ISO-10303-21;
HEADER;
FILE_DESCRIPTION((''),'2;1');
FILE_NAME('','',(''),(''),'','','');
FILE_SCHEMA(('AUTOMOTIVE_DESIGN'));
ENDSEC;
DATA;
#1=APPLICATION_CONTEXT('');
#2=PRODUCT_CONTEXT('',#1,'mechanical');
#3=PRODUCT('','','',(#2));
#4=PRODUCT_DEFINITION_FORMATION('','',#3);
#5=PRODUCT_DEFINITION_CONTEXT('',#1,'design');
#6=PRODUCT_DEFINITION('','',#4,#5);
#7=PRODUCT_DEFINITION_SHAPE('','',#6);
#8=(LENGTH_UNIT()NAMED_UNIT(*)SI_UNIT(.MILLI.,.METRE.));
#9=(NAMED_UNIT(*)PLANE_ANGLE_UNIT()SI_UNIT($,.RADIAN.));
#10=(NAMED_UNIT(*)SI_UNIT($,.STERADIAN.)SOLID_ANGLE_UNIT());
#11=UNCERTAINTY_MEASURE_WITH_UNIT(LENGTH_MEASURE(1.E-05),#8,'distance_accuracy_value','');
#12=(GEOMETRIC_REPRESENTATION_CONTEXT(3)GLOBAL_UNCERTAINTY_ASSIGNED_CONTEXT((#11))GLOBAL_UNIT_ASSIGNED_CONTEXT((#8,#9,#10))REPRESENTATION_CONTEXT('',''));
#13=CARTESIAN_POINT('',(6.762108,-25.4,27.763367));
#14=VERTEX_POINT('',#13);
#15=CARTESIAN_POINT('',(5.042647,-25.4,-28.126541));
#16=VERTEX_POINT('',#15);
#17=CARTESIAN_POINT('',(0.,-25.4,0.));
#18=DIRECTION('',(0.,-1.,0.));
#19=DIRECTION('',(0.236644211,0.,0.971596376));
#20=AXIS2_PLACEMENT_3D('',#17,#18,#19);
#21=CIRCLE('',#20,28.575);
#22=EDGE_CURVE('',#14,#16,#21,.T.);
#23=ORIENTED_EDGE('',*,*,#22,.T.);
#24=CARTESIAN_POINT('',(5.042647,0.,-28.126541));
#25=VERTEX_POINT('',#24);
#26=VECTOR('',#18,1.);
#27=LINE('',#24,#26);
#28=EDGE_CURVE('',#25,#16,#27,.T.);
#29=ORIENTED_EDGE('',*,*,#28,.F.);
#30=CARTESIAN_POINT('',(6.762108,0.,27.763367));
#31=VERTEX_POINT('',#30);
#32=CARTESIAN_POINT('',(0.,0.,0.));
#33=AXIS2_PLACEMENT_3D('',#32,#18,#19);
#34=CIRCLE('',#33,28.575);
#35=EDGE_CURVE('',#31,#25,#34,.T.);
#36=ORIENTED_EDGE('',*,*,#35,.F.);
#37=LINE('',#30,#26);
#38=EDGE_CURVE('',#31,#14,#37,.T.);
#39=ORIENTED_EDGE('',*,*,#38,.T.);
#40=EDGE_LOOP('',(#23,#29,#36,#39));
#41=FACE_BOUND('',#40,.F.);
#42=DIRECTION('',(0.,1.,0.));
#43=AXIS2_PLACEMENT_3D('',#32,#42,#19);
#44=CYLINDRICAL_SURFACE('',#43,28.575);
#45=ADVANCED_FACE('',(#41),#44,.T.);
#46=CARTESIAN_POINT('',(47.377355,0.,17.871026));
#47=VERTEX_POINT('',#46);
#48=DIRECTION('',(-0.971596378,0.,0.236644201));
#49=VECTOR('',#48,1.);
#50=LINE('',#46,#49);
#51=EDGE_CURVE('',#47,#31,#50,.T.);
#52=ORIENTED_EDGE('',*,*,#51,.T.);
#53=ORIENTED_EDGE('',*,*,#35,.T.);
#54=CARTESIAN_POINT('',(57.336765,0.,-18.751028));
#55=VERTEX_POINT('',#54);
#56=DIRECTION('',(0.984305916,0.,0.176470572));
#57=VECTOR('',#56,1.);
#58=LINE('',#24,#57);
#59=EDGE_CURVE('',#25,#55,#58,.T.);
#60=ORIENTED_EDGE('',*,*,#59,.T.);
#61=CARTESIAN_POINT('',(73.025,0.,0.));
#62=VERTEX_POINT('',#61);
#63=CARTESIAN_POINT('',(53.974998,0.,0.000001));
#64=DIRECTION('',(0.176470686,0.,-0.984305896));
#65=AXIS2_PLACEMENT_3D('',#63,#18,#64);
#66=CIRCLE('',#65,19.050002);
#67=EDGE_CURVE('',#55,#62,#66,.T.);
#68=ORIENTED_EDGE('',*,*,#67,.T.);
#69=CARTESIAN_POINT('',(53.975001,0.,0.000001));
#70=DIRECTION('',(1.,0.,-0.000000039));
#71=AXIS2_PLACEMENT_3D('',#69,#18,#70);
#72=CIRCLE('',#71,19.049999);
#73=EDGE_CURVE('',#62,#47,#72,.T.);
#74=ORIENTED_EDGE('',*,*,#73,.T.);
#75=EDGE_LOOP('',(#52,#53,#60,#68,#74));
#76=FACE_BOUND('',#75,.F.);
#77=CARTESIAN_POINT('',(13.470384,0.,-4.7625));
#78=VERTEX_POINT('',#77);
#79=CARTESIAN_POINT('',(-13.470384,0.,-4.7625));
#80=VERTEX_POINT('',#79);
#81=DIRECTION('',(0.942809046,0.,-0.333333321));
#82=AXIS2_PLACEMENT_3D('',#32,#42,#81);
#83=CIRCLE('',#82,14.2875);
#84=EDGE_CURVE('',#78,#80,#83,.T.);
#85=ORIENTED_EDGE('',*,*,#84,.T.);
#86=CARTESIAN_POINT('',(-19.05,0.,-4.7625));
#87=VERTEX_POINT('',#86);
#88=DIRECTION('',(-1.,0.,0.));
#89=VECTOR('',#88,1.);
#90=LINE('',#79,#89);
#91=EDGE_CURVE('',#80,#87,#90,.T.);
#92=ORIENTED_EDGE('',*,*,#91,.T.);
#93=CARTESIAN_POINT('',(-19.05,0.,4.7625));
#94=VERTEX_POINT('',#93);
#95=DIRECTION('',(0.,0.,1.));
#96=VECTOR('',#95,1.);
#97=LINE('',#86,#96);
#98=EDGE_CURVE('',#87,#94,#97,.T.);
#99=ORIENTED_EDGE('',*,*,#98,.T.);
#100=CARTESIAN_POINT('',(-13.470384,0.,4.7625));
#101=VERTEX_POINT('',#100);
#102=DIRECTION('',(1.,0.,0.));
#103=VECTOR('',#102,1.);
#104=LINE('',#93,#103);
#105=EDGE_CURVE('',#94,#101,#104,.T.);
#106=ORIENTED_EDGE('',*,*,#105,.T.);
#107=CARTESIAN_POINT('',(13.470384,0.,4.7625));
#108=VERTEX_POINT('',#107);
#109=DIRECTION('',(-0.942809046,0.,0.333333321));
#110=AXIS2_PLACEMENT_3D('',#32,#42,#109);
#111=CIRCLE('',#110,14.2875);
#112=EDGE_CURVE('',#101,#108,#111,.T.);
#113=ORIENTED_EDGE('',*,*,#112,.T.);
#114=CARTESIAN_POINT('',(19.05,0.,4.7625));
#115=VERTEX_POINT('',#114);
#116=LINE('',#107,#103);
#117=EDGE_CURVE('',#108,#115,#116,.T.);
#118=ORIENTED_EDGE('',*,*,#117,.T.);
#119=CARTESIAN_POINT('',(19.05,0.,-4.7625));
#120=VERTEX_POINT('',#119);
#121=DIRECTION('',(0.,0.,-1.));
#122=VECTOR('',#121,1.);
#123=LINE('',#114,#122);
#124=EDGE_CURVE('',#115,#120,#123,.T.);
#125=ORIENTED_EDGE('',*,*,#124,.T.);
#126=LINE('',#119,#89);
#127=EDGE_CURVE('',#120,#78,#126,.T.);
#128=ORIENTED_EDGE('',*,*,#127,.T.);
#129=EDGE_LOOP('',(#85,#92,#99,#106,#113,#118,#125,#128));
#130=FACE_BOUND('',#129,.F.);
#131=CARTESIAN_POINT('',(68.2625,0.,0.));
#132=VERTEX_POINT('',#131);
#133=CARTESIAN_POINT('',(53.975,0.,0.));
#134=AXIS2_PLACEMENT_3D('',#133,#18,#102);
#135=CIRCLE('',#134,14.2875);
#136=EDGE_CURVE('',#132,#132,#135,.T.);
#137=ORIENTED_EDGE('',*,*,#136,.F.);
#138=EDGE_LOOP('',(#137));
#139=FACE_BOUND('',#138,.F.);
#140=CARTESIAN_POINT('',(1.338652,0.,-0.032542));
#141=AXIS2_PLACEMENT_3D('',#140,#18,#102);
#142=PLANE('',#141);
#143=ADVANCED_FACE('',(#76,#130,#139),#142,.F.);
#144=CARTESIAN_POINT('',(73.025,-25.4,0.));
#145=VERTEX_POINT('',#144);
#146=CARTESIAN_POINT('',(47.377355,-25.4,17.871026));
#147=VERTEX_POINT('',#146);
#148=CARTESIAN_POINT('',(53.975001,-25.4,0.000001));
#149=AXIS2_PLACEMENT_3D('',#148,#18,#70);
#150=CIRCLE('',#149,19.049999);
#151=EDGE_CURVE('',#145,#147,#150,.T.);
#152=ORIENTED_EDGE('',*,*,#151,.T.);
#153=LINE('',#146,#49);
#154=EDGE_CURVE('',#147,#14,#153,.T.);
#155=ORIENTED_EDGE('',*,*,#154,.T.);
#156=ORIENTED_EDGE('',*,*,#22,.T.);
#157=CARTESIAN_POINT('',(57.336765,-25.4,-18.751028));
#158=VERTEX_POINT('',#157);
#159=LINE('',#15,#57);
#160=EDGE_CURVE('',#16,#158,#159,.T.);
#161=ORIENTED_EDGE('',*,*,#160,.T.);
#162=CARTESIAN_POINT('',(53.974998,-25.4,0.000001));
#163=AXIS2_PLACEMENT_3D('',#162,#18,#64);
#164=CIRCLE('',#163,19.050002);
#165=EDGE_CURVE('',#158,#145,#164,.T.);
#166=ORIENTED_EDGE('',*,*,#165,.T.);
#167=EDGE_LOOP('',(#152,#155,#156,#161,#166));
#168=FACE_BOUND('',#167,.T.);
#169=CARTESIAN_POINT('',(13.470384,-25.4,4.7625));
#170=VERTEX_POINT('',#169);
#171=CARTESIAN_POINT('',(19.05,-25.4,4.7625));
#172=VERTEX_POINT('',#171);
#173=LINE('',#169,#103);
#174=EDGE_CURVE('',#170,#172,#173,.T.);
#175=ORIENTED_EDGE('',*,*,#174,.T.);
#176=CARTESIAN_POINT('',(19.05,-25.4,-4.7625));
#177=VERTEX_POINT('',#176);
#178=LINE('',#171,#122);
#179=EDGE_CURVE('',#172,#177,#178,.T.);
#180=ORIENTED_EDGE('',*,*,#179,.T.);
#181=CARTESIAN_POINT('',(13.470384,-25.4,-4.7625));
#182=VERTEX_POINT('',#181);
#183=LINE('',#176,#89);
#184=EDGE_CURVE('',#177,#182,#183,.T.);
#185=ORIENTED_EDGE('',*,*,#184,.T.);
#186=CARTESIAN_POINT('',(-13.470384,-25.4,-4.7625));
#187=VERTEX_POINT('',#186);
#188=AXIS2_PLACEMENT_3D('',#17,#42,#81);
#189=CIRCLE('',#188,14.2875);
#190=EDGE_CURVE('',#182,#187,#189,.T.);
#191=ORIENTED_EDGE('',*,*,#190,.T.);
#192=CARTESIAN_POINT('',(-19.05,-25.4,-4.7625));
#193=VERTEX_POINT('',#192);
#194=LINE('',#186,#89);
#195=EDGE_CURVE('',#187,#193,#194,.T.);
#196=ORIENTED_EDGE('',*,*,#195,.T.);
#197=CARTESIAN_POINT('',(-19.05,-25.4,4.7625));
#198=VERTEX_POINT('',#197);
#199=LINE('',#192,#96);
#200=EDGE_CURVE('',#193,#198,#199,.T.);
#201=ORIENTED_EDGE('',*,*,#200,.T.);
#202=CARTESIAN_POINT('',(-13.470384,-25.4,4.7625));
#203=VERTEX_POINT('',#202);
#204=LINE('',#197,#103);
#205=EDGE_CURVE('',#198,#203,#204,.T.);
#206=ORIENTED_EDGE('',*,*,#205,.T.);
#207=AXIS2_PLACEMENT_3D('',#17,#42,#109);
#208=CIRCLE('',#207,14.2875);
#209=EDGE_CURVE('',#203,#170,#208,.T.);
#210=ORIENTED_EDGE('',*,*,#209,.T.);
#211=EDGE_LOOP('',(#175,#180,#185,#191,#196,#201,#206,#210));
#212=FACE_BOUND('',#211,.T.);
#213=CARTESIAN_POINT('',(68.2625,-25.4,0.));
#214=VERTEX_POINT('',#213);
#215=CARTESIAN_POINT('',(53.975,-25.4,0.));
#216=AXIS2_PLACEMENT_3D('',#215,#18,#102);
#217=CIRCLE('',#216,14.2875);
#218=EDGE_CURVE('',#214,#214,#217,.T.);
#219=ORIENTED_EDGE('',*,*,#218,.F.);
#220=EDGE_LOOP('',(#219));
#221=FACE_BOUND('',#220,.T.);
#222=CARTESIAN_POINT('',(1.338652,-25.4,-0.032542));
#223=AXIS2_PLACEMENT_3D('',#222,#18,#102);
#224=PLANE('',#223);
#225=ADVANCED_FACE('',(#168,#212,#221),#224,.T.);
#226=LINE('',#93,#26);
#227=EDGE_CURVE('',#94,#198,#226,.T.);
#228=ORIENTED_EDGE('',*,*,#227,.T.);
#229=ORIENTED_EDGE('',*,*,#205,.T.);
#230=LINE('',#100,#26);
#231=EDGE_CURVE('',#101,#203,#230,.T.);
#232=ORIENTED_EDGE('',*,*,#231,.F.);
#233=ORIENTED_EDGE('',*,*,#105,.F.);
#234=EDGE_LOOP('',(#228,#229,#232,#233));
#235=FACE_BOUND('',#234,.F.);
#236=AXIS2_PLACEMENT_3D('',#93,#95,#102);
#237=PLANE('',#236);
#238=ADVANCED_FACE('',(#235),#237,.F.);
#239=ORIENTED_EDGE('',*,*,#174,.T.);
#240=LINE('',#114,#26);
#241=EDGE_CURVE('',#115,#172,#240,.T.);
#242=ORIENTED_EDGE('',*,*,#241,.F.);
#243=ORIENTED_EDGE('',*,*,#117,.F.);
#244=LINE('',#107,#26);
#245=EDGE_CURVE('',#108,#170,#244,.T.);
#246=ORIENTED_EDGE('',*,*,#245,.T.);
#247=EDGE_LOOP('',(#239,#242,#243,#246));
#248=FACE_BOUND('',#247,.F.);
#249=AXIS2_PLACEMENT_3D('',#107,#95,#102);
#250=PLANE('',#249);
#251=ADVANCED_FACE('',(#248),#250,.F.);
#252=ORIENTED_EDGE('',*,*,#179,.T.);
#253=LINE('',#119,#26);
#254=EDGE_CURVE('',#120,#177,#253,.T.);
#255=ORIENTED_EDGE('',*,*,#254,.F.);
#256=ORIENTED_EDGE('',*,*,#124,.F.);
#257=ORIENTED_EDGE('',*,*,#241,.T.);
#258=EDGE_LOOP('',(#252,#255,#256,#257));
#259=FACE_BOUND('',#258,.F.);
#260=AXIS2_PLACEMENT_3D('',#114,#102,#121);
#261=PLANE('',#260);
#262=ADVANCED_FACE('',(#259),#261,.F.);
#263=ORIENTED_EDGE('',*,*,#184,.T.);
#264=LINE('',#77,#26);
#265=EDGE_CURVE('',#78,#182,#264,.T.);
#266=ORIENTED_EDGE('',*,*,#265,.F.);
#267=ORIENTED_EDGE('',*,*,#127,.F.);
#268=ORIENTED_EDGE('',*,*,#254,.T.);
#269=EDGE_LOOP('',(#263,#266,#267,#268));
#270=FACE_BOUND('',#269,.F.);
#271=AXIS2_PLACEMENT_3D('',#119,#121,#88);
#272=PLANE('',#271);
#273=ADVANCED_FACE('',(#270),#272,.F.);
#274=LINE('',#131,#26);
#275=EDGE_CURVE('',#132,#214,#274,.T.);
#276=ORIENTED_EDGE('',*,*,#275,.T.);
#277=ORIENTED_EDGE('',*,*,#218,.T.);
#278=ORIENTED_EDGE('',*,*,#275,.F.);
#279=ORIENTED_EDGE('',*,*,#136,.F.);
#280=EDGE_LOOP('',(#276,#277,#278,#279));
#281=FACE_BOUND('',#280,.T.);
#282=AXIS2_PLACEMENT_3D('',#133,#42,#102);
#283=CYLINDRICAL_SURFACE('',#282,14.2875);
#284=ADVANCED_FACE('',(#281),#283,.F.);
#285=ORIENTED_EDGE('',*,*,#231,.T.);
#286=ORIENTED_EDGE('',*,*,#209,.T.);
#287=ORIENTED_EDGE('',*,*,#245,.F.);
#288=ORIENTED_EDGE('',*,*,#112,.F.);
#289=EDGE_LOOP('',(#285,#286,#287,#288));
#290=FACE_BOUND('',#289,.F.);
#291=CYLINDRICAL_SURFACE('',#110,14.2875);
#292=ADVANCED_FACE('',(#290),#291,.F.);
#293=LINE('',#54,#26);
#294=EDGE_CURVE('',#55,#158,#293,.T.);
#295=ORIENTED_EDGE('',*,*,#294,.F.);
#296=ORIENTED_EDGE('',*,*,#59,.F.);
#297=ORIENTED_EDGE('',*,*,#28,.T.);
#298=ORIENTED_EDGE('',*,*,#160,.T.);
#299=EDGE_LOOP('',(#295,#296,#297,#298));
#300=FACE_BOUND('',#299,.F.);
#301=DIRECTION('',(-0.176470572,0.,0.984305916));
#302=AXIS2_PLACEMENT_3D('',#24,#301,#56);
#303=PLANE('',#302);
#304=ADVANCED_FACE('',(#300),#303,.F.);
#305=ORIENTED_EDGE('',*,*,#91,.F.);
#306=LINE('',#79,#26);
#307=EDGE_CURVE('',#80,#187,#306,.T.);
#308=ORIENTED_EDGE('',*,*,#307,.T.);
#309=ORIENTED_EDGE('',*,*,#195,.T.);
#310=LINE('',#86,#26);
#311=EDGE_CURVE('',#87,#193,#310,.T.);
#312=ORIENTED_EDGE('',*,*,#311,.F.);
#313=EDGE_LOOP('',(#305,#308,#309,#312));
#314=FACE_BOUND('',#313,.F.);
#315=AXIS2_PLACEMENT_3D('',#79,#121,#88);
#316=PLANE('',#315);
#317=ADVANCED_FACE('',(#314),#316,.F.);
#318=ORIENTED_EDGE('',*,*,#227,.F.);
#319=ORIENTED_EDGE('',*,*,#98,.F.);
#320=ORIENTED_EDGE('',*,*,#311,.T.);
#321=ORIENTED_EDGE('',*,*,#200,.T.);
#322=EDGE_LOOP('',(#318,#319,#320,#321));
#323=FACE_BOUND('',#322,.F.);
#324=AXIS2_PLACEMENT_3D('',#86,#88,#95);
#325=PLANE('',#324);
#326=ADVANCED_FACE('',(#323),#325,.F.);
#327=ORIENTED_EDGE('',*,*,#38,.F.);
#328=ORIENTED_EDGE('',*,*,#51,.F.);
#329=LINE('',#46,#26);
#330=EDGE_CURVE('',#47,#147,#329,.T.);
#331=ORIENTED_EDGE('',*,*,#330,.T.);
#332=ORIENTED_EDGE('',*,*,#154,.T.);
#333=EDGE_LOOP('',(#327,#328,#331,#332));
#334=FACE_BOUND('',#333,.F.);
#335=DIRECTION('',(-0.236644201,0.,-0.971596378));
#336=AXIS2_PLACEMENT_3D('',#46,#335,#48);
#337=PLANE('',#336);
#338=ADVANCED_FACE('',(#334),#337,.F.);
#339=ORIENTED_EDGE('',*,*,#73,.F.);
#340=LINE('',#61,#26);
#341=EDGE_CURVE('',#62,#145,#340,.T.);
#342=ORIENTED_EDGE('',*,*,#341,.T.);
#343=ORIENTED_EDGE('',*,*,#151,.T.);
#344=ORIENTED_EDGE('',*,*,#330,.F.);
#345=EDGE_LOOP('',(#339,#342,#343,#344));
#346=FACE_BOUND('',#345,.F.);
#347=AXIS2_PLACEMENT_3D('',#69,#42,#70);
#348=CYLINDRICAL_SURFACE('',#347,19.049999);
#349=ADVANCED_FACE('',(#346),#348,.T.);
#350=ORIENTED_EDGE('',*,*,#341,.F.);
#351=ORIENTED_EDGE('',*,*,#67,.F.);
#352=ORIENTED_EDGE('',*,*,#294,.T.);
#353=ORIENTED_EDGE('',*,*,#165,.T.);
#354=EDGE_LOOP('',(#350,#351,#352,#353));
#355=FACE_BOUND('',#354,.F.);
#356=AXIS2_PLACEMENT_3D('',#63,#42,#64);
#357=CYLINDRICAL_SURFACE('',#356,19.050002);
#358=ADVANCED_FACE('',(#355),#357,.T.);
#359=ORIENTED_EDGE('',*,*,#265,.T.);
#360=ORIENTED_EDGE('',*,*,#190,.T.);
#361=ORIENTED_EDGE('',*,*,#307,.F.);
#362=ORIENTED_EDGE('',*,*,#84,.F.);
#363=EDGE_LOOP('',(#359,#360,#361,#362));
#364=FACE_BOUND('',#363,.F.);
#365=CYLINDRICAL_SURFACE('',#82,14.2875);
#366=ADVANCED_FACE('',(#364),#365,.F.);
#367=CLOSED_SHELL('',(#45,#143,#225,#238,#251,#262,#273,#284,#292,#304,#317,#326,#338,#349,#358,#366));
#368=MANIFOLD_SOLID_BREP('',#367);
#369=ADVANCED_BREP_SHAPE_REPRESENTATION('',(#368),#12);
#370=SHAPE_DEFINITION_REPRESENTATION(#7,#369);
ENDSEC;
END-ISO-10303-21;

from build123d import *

# Parameters (mm, degrees)
F0_R     = 14.2875
F1_DEPTH = 25.4


with BuildPart() as f1:
    # F0 (on Front) → F1 (new body)
    with BuildSketch(Plane.XZ):
        with BuildLine():
            ThreePointArc((5.042647, -28.126541), (21.916025, -18.336262), (28.575, 0))
            ThreePointArc((28.575, 0), (22.469511, 17.65366), (6.762108, 27.763367))
            ThreePointArc((6.762108, 27.763367), (-28.561487, 0.878698), (5.042647, -28.126541))
        make_face()
        with BuildLine():
            ThreePointArc((-13.470384, 4.7625), (0, 14.2875), (13.470384, 4.7625))
            Line((13.470384, 4.7625), (19.05, 4.7625))
            Line((19.05, 4.7625), (19.05, -4.7625))
            Line((19.05, -4.7625), (13.470384, -4.7625))
            ThreePointArc((13.470384, -4.7625), (0, -14.2875), (-13.470384, -4.7625))
            Line((-13.470384, -4.7625), (-19.05, -4.7625))
            Line((-19.05, -4.7625), (-19.05, 4.7625))
            Line((-19.05, 4.7625), (-13.470384, 4.7625))
        make_face(mode=Mode.SUBTRACT)
        with BuildLine():
            ThreePointArc((6.762108, 27.763367), (22.469511, 17.65366), (28.575, 0))
            ThreePointArc((28.575, 0), (21.916025, -18.336262), (5.042647, -28.126541))
            Line((5.042647, -28.126541), (57.336765, -18.751028))
            ThreePointArc((57.336765, -18.751028), (35.592632, -4.999106), (47.377355, 17.871026))
            Line((47.377355, 17.871026), (6.762108, 27.763367))
        make_face()
        with BuildLine():
            ThreePointArc((73.025, 0), (64.865761, 15.629902), (47.377355, 17.871026))
            ThreePointArc((47.377355, 17.871026), (35.592632, -4.999106), (57.336765, -18.751028))
            ThreePointArc((57.336765, -18.751028), (68.585683, -12.224174), (73.025, 0))
        make_face()
        with Locations((53.975, 0)):
            Circle(F0_R, mode=Mode.SUBTRACT)
    extrude(amount=F1_DEPTH)


solid = f1.part
